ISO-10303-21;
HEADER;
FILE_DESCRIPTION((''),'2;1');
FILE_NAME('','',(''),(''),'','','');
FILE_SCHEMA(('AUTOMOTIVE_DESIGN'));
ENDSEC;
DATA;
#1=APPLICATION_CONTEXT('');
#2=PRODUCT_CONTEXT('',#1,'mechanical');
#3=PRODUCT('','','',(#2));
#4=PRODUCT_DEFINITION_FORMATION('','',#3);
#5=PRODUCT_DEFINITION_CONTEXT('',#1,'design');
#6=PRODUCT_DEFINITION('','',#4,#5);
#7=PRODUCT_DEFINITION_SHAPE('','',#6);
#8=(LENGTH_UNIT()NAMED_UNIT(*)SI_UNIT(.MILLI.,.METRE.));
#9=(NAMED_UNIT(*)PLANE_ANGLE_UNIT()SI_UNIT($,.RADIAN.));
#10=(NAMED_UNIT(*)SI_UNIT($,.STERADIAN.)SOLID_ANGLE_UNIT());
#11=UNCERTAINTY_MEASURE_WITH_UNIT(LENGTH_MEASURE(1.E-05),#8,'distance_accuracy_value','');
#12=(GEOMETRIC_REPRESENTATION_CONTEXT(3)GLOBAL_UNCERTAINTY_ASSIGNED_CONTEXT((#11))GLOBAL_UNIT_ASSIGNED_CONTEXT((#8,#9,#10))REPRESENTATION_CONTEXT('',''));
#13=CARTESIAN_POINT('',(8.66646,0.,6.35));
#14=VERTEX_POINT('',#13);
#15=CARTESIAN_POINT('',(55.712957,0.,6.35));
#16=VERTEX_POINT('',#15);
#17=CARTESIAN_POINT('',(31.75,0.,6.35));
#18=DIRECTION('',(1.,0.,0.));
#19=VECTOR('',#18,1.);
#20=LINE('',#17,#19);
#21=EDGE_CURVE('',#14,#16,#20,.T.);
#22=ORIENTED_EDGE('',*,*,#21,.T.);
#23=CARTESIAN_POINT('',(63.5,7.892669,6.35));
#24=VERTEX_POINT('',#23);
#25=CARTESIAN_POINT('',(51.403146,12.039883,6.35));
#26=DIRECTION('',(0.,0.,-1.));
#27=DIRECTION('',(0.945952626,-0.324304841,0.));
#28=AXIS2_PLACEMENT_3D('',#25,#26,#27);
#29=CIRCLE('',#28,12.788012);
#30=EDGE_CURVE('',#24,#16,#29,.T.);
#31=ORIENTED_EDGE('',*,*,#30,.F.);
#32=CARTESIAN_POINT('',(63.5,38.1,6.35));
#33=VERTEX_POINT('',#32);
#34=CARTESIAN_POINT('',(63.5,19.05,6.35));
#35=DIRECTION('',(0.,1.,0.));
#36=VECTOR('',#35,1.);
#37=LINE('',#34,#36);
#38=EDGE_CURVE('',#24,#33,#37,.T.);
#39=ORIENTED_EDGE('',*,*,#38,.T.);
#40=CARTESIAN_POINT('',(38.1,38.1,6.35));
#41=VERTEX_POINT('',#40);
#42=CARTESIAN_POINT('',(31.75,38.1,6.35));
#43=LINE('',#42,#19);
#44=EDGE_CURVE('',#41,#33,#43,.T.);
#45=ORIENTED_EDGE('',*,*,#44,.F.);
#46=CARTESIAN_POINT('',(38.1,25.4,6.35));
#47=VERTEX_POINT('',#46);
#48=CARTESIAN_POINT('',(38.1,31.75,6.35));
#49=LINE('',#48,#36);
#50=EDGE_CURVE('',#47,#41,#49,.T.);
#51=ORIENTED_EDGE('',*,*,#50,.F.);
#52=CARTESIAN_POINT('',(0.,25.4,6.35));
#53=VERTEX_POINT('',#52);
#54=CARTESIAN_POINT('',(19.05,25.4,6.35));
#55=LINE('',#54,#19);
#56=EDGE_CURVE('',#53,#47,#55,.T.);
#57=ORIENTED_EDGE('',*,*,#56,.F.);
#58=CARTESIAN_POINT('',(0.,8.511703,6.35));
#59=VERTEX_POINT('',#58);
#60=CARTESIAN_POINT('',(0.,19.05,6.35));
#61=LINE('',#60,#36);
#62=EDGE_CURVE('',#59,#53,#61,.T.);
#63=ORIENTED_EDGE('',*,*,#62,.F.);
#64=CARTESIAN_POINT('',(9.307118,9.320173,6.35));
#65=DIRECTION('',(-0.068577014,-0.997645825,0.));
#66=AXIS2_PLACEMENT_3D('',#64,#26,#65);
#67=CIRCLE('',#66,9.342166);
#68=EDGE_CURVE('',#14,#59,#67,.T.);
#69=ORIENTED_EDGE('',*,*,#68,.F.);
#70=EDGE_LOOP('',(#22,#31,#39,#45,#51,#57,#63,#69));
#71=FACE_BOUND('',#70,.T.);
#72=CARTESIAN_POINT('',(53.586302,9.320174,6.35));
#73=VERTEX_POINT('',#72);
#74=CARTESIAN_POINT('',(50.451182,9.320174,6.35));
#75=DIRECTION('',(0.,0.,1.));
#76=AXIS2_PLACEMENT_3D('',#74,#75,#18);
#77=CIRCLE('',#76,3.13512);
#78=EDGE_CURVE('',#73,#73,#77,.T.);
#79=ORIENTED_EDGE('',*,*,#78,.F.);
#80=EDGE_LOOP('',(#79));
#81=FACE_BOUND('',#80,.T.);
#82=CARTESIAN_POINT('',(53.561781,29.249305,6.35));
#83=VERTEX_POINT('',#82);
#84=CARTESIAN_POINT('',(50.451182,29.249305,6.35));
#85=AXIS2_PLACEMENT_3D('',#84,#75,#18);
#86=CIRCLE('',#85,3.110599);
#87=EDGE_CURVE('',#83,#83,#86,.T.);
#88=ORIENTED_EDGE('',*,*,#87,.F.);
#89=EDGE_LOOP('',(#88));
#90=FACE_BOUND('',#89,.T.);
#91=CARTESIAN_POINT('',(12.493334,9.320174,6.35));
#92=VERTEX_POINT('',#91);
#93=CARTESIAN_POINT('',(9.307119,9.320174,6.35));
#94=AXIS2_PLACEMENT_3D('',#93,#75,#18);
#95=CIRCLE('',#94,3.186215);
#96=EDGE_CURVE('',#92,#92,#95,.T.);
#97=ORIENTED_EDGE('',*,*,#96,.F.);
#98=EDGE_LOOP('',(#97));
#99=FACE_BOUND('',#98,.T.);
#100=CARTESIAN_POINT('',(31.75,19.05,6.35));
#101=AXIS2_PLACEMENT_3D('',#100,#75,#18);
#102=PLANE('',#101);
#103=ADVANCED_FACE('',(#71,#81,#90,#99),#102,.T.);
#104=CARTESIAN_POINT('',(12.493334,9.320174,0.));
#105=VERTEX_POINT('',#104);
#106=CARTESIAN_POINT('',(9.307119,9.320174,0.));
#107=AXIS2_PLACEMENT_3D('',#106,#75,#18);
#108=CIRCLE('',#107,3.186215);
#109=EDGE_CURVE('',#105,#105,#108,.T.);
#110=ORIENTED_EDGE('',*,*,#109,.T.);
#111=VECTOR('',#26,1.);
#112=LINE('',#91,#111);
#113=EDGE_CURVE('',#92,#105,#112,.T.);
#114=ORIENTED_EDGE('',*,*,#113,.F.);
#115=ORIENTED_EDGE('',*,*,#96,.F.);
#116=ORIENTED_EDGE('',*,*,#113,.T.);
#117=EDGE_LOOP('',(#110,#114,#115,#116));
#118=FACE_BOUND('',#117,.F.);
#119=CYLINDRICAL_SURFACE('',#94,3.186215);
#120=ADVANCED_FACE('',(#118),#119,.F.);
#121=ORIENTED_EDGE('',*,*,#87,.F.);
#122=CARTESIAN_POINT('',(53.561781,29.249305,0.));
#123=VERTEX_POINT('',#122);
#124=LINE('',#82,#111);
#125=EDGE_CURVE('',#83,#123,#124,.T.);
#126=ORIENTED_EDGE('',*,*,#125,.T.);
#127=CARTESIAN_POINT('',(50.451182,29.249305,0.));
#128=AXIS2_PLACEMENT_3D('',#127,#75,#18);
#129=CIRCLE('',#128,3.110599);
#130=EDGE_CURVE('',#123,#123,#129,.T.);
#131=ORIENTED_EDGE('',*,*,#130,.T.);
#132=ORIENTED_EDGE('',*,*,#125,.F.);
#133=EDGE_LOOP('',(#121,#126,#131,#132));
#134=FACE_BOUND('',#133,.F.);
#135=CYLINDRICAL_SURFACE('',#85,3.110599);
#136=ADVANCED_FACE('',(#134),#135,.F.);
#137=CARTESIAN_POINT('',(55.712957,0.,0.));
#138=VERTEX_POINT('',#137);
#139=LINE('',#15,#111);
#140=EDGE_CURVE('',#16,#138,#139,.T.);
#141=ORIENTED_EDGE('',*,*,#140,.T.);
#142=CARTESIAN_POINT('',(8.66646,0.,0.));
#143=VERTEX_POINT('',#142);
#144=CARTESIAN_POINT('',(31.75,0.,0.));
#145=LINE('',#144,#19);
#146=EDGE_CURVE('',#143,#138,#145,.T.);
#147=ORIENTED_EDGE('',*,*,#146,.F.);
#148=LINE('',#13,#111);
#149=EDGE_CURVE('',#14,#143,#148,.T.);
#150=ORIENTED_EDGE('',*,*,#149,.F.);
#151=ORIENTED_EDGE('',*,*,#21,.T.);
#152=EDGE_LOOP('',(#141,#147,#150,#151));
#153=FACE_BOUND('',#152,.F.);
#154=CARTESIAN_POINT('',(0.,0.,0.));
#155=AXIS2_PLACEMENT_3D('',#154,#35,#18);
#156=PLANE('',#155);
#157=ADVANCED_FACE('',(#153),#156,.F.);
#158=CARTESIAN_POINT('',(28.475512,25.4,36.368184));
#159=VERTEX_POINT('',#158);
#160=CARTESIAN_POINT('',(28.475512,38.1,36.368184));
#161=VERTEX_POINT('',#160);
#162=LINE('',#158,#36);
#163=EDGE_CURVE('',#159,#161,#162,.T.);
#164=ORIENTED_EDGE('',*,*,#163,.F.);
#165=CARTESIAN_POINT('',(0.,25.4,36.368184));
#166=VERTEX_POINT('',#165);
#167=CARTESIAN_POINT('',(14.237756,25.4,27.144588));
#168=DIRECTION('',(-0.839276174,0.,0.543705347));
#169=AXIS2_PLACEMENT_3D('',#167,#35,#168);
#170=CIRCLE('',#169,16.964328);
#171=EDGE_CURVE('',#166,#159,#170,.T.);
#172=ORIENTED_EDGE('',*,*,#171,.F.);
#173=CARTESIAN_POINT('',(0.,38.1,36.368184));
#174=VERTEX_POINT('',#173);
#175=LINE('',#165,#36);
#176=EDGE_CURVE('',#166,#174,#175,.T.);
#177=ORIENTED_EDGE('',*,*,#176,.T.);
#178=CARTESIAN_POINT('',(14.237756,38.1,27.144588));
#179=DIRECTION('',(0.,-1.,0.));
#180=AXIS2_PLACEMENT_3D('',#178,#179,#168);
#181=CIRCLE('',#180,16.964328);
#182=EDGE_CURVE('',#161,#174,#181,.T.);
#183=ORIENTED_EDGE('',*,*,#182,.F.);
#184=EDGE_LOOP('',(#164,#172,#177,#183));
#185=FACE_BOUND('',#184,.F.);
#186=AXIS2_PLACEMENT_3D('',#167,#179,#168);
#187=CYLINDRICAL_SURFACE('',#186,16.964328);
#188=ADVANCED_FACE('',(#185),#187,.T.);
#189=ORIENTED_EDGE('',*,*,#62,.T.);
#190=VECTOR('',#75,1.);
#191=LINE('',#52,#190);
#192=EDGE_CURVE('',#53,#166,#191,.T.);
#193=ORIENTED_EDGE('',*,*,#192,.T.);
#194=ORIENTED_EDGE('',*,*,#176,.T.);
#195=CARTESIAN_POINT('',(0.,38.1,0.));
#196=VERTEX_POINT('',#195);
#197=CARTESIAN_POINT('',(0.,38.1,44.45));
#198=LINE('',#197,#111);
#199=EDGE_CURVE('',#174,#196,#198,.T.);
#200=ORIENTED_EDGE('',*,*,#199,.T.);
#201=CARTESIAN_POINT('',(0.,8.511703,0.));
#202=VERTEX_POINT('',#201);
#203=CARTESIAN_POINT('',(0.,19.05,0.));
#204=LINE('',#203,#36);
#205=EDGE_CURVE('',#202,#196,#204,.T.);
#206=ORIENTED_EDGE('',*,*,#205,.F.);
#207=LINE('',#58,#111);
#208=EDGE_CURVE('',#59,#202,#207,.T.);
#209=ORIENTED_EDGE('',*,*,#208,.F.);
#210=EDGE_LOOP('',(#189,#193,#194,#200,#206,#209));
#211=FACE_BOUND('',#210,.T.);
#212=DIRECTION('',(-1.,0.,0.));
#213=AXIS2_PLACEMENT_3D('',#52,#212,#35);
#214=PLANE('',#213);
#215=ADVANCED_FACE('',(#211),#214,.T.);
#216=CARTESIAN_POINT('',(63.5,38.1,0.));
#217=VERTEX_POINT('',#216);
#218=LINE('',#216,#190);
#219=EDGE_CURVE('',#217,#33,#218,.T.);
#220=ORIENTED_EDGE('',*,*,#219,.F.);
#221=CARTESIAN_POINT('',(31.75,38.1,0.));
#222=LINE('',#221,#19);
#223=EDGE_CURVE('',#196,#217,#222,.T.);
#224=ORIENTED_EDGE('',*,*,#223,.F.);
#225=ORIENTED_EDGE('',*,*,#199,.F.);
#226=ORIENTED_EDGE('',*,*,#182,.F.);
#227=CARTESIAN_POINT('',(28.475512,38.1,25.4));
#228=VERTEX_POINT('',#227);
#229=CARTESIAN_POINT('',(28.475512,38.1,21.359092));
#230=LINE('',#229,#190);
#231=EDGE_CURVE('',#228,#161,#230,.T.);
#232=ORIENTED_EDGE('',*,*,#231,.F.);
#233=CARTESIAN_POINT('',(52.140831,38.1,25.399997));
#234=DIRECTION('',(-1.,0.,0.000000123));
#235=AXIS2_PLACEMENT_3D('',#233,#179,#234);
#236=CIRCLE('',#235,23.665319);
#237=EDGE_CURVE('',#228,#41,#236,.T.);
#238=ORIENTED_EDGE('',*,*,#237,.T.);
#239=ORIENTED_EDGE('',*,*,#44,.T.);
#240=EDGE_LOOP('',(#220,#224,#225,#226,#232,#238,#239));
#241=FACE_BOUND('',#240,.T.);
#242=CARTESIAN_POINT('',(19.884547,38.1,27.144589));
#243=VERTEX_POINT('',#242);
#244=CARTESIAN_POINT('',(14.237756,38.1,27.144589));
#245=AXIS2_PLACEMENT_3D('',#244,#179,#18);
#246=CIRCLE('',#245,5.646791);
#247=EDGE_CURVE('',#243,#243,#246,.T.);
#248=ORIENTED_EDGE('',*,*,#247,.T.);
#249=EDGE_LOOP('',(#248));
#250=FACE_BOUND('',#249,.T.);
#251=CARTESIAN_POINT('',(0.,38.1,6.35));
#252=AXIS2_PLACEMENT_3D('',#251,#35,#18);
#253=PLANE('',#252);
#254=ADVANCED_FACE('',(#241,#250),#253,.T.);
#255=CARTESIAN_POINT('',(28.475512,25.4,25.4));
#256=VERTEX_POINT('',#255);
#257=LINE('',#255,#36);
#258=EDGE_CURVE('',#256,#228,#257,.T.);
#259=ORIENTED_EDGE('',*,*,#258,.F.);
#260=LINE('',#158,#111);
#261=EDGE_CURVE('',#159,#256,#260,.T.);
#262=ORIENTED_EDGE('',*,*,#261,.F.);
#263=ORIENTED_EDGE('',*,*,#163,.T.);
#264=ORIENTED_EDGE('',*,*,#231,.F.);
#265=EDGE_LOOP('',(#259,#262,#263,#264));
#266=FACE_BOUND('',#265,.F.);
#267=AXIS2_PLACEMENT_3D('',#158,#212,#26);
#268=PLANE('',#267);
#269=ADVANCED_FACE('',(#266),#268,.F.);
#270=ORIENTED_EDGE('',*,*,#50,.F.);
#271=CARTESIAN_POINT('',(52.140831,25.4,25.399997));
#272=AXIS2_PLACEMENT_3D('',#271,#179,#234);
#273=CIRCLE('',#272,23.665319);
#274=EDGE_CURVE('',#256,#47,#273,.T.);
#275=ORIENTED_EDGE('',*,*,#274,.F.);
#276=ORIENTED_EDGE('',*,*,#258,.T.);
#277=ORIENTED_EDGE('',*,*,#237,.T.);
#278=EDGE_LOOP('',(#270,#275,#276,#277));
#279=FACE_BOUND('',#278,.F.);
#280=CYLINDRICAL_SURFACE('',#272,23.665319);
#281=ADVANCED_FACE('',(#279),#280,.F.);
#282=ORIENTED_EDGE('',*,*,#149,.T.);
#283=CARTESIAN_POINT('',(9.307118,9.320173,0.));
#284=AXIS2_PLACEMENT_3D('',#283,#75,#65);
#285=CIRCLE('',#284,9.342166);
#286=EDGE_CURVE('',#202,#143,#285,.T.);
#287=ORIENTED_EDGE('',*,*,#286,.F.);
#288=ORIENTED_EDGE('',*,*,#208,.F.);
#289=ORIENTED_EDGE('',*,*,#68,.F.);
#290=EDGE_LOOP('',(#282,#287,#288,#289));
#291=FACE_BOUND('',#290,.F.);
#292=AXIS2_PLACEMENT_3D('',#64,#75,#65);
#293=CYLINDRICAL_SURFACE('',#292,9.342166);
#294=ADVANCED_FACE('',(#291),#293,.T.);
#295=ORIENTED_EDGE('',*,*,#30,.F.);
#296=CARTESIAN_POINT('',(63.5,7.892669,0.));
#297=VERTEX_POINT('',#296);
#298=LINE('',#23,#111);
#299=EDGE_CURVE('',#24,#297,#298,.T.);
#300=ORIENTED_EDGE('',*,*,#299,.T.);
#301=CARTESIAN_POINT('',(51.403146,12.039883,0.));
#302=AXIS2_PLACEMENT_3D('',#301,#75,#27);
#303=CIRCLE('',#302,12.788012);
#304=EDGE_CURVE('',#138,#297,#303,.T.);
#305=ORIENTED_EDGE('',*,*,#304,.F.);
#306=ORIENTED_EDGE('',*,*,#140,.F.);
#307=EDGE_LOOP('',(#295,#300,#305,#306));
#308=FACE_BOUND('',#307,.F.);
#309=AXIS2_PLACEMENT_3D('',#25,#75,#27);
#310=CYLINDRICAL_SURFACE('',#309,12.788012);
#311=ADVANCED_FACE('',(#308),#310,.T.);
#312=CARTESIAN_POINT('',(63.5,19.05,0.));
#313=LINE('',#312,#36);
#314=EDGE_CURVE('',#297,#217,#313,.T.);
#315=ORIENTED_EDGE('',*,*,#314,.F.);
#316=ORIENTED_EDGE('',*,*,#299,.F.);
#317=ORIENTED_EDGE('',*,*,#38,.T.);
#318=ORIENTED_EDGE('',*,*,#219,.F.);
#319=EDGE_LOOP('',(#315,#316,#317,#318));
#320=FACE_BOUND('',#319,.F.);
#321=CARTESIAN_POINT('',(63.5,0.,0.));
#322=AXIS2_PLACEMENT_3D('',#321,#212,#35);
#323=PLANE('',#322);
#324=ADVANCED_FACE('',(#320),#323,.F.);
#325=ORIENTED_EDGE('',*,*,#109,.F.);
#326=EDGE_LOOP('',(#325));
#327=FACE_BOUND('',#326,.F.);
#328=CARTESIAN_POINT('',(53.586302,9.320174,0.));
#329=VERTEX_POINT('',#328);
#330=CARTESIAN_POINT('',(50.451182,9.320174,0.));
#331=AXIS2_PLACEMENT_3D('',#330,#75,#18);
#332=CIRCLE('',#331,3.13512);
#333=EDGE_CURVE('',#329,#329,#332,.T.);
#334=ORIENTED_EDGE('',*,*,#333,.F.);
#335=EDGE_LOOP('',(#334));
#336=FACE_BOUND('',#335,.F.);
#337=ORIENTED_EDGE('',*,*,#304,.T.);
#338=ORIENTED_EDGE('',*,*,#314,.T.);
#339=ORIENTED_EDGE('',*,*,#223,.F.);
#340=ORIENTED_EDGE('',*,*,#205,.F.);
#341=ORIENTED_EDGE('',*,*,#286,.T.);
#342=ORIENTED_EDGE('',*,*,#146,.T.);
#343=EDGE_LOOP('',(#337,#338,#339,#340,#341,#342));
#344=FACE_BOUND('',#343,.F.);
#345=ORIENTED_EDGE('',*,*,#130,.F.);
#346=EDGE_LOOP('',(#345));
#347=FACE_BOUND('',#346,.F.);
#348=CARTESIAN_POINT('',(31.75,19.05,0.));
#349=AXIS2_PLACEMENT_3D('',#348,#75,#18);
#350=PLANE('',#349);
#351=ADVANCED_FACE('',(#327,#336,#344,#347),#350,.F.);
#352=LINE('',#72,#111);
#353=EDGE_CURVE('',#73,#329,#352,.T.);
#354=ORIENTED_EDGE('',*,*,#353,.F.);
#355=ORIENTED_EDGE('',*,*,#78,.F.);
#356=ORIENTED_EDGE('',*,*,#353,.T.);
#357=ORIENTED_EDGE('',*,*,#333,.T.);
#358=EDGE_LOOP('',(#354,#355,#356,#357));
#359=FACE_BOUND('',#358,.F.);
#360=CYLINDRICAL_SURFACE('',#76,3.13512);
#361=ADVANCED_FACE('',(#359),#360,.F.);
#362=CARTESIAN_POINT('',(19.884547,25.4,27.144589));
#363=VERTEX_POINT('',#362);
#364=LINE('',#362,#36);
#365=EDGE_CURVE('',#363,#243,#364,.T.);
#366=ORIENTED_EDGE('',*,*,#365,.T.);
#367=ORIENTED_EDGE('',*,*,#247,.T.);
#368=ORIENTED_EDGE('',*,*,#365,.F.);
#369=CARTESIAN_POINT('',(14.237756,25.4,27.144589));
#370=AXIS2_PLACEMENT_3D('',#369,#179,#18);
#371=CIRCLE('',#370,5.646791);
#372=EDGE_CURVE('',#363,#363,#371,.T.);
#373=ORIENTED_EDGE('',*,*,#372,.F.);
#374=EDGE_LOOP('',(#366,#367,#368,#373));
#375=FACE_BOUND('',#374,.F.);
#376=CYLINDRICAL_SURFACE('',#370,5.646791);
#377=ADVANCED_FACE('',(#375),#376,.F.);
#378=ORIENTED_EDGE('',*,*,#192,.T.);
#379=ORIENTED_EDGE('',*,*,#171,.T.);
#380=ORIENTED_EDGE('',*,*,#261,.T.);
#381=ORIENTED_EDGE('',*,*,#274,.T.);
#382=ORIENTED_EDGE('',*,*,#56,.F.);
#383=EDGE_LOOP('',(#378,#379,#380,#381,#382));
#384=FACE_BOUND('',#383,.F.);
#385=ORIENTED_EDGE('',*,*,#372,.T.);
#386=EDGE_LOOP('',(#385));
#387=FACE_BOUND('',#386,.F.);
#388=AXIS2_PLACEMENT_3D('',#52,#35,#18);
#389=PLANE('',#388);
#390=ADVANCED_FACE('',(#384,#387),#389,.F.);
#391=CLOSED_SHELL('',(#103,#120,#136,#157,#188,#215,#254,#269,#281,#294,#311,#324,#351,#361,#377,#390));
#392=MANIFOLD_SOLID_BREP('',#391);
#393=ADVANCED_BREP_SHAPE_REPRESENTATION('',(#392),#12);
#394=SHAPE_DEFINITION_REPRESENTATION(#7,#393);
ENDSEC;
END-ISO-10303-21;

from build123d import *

# Parameters (mm, degrees)
F0_W      = 63.5
F0_H      = 38.1
F1_DEPTH  = 6.35
F3_DEPTH  = 25.4
F4_W      = 38.1
F4_H      = 12.7
F5_DEPTH  = 38.1
F7_DEPTH  = 25.4
F8_R      = 5.646791
F9_DEPTH  = 25.4
F10_R     = 3.186215
F10_R_2   = 3.13512
F10_R_3   = 3.110599
F11_DEPTH = 25.4


with BuildPart() as f1:
    # F0 (on Top) → F1 (new body)
    with BuildSketch(Plane.XY):
        with Locations((31.75, 19.05)):
            Rectangle(F0_W, F0_H)
    extrude(amount=F1_DEPTH)

    # F2 (on face) → F3 (cut)
    with BuildSketch(Plane.XY.offset(6.35)):
        with BuildLine():
            ThreePointArc((8.66646, 0), (2.760987, 2.655022), (0, 8.511703))
            Line((0, 8.511703), (0, 0))
            Line((0, 0), (8.66646, 0))
        make_face()
        with BuildLine():
            ThreePointArc((63.5, 7.892669), (60.506344, 3.058511), (55.712957, 0))
            Line((55.712957, 0), (63.5, 0))
            Line((63.5, 0), (63.5, 7.892669))
        make_face()
    extrude(amount=-F3_DEPTH, mode=Mode.SUBTRACT)

    # F4 (on face) → F5 (join)
    with BuildSketch(Plane.XY.offset(6.35)):
        with Locations((19.05, 31.75)):
            Rectangle(F4_W, F4_H)
    extrude(amount=F5_DEPTH)

    # F6 (on face) → F7 (cut)
    with BuildSketch(Plane.XZ.offset(-25.4)):
        with BuildLine():
            Line((0, 44.45), (0, 36.368184))
            ThreePointArc((0, 36.368184), (14.237756, 44.108916), (28.475512, 36.368184))
            Line((28.475512, 36.368184), (28.475512, 25.4))
            ThreePointArc((28.475512, 25.4), (31.018235, 14.728387), (38.1, 6.35))
            Line((38.1, 6.35), (38.1, 25.4))
            Line((38.1, 25.4), (38.1, 44.45))
            Line((38.1, 44.45), (0, 44.45))
        make_face()
    extrude(amount=-F7_DEPTH, mode=Mode.SUBTRACT)

    # F8 (on face) → F9 (cut)
    with BuildSketch(Plane.XZ.offset(-25.4)):
        with Locations((14.237756, 27.144589)):
            Circle(F8_R)
    extrude(amount=-F9_DEPTH, mode=Mode.SUBTRACT)

    # F10 (on face) → F11 (cut)
    with BuildSketch(Plane.XY.offset(6.35)):
        with Locations((9.307119, 9.320174)):
            Circle(F10_R)
        with Locations((50.451182, 9.320174)):
            Circle(F10_R_2)
        with Locations((50.451182, 29.249305)):
            Circle(F10_R_3)
    extrude(amount=-F11_DEPTH, mode=Mode.SUBTRACT)


solid = f1.part
